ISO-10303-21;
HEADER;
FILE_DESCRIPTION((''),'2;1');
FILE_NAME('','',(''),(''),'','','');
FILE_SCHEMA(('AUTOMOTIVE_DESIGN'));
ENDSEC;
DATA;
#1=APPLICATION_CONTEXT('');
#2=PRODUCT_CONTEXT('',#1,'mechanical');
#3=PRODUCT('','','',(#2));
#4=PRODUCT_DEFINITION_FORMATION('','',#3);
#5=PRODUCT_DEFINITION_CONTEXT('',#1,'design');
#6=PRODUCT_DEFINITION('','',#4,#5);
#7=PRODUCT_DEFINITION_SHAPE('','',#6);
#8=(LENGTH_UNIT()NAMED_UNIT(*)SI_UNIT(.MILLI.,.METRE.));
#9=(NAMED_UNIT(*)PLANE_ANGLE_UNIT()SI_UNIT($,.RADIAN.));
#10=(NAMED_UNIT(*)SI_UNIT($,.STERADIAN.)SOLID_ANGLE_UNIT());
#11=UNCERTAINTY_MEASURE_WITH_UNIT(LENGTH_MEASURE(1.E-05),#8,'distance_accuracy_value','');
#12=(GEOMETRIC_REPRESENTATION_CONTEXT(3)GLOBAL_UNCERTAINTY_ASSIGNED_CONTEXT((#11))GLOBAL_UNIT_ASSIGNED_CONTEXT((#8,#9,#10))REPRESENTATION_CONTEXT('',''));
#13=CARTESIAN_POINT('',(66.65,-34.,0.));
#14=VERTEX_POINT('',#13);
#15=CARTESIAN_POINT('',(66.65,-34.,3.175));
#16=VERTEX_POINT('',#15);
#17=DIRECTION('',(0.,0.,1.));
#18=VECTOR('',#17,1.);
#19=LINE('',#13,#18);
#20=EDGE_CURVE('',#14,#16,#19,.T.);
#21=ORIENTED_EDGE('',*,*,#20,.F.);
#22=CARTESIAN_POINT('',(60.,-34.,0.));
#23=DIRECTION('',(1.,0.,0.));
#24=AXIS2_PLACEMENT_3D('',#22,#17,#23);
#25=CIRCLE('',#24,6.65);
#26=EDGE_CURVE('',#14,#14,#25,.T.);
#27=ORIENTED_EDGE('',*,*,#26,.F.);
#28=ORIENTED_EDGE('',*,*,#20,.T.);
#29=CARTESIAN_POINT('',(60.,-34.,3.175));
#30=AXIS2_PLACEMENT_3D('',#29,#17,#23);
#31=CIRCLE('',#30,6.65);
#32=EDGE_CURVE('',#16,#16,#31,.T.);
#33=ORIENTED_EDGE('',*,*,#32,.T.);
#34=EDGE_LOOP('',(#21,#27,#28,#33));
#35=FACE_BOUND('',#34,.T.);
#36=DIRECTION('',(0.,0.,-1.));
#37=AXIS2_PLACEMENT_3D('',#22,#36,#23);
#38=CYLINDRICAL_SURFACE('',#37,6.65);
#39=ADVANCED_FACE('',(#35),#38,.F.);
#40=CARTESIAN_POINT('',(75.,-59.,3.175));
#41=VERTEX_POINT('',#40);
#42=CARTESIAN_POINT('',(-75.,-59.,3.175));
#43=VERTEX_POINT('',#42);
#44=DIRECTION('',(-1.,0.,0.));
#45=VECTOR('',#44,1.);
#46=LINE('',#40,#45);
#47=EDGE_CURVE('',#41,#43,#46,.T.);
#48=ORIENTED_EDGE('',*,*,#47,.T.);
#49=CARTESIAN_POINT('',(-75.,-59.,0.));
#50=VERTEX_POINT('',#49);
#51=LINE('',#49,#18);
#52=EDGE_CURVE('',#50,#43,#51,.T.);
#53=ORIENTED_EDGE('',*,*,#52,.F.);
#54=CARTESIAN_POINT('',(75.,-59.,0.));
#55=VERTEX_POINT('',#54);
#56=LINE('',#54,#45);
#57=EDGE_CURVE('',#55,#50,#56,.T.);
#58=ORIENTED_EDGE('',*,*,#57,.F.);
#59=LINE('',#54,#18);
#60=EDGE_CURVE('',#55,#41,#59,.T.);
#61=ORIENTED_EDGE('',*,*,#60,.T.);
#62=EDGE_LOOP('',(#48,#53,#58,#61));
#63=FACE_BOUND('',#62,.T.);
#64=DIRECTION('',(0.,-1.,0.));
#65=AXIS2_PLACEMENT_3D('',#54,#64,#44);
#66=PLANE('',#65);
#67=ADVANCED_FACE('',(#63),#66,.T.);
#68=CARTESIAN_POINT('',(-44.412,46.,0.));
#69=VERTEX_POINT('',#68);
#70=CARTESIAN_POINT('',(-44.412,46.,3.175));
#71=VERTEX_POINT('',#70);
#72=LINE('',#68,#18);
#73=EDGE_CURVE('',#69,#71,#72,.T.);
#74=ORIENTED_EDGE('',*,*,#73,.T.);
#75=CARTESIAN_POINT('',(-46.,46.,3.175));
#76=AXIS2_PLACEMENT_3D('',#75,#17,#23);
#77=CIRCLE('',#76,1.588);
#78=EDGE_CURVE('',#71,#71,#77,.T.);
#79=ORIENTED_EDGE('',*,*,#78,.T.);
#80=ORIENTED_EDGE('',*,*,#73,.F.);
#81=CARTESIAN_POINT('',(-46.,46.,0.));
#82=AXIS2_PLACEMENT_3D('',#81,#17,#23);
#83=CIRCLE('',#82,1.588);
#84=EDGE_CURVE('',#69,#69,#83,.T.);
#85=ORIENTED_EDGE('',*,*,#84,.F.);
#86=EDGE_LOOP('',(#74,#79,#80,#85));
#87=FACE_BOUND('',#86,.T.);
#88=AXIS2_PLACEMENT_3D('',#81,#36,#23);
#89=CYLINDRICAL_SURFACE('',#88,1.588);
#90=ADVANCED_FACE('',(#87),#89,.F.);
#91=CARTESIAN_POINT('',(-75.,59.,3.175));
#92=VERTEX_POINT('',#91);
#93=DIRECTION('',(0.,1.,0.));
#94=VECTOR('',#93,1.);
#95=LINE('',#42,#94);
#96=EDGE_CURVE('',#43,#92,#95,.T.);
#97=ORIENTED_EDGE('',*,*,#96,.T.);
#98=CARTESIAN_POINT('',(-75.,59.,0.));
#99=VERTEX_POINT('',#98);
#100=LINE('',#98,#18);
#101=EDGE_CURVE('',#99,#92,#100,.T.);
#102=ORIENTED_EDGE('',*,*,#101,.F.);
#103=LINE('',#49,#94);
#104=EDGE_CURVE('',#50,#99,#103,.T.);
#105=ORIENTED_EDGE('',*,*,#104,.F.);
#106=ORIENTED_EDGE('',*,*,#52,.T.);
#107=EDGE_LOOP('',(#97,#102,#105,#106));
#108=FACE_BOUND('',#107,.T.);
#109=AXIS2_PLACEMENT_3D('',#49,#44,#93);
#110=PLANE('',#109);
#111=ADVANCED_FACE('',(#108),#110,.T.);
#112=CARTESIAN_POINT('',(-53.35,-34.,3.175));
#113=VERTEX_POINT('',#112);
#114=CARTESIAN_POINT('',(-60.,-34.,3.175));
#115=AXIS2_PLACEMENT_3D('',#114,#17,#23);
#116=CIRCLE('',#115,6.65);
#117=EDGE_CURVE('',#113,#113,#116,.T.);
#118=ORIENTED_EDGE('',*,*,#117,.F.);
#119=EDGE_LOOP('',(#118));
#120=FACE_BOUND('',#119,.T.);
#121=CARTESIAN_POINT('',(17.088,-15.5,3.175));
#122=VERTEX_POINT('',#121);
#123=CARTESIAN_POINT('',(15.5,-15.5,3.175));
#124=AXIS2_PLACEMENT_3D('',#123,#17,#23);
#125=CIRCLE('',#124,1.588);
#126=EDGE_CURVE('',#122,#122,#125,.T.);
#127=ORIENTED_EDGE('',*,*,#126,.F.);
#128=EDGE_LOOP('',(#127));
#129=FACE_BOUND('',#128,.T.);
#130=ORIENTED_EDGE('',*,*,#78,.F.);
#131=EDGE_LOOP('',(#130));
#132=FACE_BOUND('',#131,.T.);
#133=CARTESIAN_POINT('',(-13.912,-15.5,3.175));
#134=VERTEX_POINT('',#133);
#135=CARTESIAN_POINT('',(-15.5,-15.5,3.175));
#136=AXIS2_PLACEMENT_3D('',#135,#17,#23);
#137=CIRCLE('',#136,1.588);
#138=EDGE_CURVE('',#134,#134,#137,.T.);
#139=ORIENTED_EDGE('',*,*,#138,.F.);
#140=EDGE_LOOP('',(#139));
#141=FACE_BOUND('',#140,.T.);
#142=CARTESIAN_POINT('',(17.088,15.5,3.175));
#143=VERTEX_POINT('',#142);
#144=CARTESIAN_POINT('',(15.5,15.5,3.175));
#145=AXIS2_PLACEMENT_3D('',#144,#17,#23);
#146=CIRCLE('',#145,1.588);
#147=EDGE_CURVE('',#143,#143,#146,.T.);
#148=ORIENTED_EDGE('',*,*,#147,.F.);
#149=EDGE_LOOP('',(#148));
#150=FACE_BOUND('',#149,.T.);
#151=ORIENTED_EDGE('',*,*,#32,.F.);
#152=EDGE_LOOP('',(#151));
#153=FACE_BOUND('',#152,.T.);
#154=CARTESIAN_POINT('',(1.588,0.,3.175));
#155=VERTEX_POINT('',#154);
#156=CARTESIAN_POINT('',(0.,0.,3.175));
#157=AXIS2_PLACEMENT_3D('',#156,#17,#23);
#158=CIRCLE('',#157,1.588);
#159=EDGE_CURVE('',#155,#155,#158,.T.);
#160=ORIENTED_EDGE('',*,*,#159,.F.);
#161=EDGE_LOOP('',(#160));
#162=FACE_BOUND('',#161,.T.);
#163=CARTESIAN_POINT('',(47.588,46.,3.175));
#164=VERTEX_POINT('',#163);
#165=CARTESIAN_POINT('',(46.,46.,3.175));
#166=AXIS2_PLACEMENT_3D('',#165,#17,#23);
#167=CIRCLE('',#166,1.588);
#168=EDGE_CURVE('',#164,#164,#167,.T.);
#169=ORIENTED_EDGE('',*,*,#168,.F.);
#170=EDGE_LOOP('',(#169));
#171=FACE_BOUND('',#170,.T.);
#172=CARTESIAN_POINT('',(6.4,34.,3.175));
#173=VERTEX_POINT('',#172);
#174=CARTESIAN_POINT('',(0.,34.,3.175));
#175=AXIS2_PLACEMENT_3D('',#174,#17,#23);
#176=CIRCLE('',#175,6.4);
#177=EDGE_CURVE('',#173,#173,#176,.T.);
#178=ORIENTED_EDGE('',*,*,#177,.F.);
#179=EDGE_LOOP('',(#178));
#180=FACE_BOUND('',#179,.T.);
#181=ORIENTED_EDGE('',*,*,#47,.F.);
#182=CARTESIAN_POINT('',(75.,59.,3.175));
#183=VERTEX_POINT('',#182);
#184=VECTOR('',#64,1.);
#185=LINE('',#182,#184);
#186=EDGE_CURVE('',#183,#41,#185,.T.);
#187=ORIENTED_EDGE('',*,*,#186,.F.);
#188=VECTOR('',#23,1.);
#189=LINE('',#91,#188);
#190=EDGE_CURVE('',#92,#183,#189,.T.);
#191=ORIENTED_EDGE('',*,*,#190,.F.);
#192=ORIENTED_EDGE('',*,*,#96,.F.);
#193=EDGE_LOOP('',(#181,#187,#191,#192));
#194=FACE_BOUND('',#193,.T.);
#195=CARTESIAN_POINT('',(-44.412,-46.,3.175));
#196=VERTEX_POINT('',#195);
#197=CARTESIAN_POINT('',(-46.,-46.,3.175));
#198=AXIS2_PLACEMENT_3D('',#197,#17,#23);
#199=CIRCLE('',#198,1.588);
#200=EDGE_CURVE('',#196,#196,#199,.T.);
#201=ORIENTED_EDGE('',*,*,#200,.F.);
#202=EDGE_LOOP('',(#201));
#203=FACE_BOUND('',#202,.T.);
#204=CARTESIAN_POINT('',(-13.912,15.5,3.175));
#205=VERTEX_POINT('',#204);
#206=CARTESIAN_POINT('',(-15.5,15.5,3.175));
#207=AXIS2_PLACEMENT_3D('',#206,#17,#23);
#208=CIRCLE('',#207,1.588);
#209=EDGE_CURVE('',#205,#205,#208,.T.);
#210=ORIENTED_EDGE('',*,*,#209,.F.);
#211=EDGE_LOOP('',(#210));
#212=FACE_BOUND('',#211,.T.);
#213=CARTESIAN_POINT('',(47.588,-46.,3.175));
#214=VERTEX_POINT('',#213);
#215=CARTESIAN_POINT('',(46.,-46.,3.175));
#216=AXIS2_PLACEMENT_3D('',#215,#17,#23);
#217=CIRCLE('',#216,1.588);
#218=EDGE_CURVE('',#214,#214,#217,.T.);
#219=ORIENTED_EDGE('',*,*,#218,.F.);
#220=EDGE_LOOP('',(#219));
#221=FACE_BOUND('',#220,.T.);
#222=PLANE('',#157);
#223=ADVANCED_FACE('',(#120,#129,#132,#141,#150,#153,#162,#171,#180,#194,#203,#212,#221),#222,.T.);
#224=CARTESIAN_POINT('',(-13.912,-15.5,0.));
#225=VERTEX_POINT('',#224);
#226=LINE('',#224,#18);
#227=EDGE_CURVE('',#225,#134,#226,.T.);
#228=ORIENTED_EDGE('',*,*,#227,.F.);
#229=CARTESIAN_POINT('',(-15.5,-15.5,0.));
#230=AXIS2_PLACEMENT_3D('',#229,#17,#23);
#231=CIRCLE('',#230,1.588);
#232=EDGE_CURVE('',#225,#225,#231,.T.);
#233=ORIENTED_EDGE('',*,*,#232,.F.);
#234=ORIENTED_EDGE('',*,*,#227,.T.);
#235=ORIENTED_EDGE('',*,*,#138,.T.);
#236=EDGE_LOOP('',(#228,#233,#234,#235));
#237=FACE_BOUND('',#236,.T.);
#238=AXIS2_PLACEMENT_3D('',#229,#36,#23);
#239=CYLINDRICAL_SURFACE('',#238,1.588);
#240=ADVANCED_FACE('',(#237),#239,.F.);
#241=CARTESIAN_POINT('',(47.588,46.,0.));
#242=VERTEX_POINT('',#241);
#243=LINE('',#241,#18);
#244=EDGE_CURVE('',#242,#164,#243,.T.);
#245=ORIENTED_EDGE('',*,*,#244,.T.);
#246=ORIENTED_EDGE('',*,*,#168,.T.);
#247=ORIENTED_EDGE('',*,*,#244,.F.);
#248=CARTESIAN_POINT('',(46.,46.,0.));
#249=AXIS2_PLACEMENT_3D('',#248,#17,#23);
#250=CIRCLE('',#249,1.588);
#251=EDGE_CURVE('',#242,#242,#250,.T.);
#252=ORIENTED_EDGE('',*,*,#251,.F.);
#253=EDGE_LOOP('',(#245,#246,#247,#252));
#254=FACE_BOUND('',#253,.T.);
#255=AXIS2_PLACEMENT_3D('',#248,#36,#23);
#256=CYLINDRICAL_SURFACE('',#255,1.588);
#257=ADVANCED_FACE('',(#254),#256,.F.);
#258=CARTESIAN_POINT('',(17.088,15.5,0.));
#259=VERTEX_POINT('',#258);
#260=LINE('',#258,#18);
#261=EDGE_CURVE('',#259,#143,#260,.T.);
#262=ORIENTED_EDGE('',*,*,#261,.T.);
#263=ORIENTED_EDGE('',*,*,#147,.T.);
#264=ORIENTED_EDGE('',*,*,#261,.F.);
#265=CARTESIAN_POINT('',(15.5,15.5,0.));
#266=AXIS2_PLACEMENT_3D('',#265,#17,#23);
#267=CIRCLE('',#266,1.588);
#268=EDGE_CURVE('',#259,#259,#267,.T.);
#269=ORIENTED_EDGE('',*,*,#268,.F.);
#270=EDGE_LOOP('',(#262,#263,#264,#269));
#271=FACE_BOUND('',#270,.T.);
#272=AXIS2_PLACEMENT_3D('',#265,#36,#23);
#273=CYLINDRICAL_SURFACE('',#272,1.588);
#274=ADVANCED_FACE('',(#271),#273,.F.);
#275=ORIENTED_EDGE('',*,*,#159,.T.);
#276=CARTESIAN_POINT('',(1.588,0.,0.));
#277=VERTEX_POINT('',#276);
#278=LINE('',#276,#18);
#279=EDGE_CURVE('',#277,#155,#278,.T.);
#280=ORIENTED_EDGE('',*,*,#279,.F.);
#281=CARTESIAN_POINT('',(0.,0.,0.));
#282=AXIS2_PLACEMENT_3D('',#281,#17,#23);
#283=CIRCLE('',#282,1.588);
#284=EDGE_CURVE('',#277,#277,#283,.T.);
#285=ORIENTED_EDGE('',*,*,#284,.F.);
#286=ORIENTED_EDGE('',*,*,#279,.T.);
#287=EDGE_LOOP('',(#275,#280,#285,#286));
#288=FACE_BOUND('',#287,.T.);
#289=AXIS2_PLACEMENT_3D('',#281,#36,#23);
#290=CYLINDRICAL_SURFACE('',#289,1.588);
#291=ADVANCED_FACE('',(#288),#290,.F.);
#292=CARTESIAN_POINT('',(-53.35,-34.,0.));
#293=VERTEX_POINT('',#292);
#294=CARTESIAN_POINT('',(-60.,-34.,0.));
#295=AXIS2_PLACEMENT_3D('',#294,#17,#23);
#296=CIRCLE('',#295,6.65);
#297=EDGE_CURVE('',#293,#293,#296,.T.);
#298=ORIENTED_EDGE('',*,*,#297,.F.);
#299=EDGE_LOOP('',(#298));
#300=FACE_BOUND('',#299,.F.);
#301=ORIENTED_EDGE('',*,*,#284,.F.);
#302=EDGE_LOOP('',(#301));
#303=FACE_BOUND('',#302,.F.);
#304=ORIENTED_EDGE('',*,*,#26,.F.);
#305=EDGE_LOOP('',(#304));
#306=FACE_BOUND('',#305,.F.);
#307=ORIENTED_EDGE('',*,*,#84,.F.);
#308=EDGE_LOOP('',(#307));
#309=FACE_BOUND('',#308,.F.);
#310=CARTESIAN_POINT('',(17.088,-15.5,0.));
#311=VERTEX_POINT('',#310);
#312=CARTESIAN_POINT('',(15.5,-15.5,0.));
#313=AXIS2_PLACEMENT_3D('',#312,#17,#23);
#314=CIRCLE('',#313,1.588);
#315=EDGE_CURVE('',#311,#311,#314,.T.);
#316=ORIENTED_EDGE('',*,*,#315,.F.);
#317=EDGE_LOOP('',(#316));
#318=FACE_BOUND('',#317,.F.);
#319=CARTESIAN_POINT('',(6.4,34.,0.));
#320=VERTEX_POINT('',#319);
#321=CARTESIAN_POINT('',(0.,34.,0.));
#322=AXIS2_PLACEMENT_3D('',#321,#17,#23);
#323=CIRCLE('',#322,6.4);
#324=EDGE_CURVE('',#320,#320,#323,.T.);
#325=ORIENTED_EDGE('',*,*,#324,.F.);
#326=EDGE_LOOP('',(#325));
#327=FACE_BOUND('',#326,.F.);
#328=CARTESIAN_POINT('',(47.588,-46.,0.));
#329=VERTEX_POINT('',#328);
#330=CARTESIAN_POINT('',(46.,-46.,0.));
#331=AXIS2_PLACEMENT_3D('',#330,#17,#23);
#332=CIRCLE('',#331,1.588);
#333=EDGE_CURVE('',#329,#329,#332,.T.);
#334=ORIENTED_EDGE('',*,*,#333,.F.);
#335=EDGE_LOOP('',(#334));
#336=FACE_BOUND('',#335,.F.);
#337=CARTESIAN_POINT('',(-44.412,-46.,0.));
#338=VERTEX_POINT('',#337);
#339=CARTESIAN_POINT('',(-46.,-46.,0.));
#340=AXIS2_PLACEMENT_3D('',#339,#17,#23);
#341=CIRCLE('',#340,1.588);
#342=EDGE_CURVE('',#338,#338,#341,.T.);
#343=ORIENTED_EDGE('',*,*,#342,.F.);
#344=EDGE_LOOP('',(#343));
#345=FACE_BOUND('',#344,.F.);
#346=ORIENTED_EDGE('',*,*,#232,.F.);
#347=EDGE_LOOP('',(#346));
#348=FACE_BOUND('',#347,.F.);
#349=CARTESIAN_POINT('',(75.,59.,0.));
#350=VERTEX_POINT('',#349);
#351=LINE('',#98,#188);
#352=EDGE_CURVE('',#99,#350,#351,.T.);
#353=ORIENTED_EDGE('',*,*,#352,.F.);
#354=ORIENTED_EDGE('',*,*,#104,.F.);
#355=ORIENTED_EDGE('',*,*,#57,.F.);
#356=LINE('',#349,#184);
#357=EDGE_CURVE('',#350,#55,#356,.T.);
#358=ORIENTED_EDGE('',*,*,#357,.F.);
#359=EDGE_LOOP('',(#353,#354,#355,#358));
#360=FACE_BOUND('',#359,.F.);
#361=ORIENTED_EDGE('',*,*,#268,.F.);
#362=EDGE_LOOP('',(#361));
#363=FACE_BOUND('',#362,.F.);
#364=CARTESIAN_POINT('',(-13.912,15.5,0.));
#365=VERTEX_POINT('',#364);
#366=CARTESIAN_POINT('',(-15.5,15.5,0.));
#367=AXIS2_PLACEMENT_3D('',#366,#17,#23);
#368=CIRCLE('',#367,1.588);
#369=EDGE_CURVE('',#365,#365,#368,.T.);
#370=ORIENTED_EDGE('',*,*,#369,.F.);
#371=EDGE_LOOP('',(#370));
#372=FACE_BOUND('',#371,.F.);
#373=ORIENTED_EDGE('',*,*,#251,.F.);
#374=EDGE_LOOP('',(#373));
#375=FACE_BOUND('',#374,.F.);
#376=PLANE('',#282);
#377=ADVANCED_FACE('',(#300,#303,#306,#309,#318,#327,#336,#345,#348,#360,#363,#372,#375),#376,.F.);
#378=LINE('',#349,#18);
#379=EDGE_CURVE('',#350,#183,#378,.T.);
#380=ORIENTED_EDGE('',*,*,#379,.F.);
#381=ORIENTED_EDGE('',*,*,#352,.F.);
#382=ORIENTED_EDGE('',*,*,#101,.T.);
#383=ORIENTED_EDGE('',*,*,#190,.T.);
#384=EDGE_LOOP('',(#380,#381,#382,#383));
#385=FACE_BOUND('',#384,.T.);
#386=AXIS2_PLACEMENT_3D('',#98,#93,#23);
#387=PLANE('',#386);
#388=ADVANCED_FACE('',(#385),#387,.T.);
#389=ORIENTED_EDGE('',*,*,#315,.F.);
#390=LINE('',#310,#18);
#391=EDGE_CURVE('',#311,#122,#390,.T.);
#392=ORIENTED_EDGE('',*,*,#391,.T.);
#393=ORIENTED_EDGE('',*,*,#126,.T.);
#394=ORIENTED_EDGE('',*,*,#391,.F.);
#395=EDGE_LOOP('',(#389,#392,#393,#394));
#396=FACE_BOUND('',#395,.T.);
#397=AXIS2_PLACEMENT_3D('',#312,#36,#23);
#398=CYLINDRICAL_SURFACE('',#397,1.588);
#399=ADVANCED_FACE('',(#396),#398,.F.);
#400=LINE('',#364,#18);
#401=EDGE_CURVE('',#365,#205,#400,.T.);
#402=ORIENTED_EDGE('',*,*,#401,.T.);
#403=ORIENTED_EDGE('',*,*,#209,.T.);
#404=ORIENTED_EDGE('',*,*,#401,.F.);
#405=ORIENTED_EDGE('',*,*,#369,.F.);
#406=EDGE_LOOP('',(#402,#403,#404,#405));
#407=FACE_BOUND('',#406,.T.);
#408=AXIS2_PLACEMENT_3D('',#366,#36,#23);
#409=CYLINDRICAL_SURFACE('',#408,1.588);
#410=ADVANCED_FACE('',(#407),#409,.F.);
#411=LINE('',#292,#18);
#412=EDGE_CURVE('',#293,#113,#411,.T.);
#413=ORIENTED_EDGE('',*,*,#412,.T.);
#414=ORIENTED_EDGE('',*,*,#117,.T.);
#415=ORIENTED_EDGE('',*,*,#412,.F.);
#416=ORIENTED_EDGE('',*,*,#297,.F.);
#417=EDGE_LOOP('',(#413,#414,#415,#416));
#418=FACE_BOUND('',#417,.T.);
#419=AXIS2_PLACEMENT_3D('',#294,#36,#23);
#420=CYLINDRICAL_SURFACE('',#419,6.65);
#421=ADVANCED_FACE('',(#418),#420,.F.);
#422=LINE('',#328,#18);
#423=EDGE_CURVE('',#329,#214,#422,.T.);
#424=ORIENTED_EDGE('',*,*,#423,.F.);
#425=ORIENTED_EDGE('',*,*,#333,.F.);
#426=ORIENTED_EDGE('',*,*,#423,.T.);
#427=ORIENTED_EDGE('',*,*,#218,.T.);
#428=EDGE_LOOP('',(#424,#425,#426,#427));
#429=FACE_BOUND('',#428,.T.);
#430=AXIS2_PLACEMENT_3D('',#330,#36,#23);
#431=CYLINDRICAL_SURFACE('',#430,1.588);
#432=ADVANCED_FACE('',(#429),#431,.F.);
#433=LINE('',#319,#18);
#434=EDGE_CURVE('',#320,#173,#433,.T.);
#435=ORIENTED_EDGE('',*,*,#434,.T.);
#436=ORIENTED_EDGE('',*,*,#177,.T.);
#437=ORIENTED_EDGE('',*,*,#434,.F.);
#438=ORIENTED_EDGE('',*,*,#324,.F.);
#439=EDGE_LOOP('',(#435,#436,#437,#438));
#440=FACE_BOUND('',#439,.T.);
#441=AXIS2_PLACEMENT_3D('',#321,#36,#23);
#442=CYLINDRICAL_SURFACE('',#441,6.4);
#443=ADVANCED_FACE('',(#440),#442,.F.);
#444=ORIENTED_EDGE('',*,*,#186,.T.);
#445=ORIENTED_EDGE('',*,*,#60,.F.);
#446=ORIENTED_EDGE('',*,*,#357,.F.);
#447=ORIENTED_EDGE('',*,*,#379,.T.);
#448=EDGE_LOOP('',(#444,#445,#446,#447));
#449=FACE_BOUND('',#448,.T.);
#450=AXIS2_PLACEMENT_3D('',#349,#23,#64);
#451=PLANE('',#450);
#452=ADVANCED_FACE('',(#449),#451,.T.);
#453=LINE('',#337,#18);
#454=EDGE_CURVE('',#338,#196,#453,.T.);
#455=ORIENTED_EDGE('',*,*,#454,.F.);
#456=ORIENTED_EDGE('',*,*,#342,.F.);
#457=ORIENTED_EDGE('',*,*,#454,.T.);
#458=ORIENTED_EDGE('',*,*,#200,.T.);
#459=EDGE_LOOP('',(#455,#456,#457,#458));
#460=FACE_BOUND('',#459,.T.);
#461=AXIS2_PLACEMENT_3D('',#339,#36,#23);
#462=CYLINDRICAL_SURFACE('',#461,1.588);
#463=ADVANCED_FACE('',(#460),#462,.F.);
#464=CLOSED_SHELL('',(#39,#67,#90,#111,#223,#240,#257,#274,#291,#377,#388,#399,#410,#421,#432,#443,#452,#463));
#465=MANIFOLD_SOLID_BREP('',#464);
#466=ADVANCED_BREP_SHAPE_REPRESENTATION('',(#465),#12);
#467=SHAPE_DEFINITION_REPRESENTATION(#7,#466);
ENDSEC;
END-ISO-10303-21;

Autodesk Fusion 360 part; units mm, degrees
sketch "movingPlatform" plane through (0, 0, 0) normal (0, 0, 1) x (1, 0, 0)
  line L0 (-75, 59) -> (75, 59)
  line L1 (75, 59) -> (75, -59)
  line L2 (75, -59) -> (-75, -59)
  line L3 (-75, -59) -> (-75, 59)
  line L4 (-75, 59) -> (75, -59) construction
  line L5 (75, 59) -> (-75, -59) construction
  circle A0 centre (-60, -34) radius 6.65
  line L6 (0, 2.5) -> (0, 20)
  circle A1 centre (60, -34) radius 6.65
  circle A2 centre (0, 34) radius 6.4
  circle A3 centre (-46, -46) radius 1.588
  circle A4 centre (-15.5, -15.5) radius 1.588
  circle A5 centre (0, 0) radius 57 construction
  circle A6 centre (15.5, -15.5) radius 1.588
  circle A7 centre (15.5, 15.5) radius 1.588
  circle A8 centre (46, -46) radius 1.588
  circle A9 centre (-46, 46) radius 1.588
  circle A10 centre (46, 46) radius 1.588
  circle A11 centre (-15.5, 15.5) radius 1.588
  circle A12 centre (0, 0) radius 1.588
  dimension "d1" = 150
  dimension "d2" = 118
  dimension "d3" = 13.3
  dimension "d4" = 120
  dimension "d5" = 12.8
  dimension "d6" = 68
  dimension "d7" = 25
  dimension "d8" = 25
  dimension "d9" = 3.176
  dimension "d12" = 92
  dimension "d13" = 92
  dimension "d21" = 3.176
  dimension "d24" = 31
  dimension "d25" = 31
  dimension "d27" = 15.5
  dimension "d31" = 114
  dimension "d34" = 46
  dimension "d37" = 46
  dimension "d49" = 15.5
  dimension "d52" = 3.176
extrude "Extrude3" add sketch "movingPlatform" along normal blind 3.175
equation "d4 = 132.800 mm - 12.8 mm"
